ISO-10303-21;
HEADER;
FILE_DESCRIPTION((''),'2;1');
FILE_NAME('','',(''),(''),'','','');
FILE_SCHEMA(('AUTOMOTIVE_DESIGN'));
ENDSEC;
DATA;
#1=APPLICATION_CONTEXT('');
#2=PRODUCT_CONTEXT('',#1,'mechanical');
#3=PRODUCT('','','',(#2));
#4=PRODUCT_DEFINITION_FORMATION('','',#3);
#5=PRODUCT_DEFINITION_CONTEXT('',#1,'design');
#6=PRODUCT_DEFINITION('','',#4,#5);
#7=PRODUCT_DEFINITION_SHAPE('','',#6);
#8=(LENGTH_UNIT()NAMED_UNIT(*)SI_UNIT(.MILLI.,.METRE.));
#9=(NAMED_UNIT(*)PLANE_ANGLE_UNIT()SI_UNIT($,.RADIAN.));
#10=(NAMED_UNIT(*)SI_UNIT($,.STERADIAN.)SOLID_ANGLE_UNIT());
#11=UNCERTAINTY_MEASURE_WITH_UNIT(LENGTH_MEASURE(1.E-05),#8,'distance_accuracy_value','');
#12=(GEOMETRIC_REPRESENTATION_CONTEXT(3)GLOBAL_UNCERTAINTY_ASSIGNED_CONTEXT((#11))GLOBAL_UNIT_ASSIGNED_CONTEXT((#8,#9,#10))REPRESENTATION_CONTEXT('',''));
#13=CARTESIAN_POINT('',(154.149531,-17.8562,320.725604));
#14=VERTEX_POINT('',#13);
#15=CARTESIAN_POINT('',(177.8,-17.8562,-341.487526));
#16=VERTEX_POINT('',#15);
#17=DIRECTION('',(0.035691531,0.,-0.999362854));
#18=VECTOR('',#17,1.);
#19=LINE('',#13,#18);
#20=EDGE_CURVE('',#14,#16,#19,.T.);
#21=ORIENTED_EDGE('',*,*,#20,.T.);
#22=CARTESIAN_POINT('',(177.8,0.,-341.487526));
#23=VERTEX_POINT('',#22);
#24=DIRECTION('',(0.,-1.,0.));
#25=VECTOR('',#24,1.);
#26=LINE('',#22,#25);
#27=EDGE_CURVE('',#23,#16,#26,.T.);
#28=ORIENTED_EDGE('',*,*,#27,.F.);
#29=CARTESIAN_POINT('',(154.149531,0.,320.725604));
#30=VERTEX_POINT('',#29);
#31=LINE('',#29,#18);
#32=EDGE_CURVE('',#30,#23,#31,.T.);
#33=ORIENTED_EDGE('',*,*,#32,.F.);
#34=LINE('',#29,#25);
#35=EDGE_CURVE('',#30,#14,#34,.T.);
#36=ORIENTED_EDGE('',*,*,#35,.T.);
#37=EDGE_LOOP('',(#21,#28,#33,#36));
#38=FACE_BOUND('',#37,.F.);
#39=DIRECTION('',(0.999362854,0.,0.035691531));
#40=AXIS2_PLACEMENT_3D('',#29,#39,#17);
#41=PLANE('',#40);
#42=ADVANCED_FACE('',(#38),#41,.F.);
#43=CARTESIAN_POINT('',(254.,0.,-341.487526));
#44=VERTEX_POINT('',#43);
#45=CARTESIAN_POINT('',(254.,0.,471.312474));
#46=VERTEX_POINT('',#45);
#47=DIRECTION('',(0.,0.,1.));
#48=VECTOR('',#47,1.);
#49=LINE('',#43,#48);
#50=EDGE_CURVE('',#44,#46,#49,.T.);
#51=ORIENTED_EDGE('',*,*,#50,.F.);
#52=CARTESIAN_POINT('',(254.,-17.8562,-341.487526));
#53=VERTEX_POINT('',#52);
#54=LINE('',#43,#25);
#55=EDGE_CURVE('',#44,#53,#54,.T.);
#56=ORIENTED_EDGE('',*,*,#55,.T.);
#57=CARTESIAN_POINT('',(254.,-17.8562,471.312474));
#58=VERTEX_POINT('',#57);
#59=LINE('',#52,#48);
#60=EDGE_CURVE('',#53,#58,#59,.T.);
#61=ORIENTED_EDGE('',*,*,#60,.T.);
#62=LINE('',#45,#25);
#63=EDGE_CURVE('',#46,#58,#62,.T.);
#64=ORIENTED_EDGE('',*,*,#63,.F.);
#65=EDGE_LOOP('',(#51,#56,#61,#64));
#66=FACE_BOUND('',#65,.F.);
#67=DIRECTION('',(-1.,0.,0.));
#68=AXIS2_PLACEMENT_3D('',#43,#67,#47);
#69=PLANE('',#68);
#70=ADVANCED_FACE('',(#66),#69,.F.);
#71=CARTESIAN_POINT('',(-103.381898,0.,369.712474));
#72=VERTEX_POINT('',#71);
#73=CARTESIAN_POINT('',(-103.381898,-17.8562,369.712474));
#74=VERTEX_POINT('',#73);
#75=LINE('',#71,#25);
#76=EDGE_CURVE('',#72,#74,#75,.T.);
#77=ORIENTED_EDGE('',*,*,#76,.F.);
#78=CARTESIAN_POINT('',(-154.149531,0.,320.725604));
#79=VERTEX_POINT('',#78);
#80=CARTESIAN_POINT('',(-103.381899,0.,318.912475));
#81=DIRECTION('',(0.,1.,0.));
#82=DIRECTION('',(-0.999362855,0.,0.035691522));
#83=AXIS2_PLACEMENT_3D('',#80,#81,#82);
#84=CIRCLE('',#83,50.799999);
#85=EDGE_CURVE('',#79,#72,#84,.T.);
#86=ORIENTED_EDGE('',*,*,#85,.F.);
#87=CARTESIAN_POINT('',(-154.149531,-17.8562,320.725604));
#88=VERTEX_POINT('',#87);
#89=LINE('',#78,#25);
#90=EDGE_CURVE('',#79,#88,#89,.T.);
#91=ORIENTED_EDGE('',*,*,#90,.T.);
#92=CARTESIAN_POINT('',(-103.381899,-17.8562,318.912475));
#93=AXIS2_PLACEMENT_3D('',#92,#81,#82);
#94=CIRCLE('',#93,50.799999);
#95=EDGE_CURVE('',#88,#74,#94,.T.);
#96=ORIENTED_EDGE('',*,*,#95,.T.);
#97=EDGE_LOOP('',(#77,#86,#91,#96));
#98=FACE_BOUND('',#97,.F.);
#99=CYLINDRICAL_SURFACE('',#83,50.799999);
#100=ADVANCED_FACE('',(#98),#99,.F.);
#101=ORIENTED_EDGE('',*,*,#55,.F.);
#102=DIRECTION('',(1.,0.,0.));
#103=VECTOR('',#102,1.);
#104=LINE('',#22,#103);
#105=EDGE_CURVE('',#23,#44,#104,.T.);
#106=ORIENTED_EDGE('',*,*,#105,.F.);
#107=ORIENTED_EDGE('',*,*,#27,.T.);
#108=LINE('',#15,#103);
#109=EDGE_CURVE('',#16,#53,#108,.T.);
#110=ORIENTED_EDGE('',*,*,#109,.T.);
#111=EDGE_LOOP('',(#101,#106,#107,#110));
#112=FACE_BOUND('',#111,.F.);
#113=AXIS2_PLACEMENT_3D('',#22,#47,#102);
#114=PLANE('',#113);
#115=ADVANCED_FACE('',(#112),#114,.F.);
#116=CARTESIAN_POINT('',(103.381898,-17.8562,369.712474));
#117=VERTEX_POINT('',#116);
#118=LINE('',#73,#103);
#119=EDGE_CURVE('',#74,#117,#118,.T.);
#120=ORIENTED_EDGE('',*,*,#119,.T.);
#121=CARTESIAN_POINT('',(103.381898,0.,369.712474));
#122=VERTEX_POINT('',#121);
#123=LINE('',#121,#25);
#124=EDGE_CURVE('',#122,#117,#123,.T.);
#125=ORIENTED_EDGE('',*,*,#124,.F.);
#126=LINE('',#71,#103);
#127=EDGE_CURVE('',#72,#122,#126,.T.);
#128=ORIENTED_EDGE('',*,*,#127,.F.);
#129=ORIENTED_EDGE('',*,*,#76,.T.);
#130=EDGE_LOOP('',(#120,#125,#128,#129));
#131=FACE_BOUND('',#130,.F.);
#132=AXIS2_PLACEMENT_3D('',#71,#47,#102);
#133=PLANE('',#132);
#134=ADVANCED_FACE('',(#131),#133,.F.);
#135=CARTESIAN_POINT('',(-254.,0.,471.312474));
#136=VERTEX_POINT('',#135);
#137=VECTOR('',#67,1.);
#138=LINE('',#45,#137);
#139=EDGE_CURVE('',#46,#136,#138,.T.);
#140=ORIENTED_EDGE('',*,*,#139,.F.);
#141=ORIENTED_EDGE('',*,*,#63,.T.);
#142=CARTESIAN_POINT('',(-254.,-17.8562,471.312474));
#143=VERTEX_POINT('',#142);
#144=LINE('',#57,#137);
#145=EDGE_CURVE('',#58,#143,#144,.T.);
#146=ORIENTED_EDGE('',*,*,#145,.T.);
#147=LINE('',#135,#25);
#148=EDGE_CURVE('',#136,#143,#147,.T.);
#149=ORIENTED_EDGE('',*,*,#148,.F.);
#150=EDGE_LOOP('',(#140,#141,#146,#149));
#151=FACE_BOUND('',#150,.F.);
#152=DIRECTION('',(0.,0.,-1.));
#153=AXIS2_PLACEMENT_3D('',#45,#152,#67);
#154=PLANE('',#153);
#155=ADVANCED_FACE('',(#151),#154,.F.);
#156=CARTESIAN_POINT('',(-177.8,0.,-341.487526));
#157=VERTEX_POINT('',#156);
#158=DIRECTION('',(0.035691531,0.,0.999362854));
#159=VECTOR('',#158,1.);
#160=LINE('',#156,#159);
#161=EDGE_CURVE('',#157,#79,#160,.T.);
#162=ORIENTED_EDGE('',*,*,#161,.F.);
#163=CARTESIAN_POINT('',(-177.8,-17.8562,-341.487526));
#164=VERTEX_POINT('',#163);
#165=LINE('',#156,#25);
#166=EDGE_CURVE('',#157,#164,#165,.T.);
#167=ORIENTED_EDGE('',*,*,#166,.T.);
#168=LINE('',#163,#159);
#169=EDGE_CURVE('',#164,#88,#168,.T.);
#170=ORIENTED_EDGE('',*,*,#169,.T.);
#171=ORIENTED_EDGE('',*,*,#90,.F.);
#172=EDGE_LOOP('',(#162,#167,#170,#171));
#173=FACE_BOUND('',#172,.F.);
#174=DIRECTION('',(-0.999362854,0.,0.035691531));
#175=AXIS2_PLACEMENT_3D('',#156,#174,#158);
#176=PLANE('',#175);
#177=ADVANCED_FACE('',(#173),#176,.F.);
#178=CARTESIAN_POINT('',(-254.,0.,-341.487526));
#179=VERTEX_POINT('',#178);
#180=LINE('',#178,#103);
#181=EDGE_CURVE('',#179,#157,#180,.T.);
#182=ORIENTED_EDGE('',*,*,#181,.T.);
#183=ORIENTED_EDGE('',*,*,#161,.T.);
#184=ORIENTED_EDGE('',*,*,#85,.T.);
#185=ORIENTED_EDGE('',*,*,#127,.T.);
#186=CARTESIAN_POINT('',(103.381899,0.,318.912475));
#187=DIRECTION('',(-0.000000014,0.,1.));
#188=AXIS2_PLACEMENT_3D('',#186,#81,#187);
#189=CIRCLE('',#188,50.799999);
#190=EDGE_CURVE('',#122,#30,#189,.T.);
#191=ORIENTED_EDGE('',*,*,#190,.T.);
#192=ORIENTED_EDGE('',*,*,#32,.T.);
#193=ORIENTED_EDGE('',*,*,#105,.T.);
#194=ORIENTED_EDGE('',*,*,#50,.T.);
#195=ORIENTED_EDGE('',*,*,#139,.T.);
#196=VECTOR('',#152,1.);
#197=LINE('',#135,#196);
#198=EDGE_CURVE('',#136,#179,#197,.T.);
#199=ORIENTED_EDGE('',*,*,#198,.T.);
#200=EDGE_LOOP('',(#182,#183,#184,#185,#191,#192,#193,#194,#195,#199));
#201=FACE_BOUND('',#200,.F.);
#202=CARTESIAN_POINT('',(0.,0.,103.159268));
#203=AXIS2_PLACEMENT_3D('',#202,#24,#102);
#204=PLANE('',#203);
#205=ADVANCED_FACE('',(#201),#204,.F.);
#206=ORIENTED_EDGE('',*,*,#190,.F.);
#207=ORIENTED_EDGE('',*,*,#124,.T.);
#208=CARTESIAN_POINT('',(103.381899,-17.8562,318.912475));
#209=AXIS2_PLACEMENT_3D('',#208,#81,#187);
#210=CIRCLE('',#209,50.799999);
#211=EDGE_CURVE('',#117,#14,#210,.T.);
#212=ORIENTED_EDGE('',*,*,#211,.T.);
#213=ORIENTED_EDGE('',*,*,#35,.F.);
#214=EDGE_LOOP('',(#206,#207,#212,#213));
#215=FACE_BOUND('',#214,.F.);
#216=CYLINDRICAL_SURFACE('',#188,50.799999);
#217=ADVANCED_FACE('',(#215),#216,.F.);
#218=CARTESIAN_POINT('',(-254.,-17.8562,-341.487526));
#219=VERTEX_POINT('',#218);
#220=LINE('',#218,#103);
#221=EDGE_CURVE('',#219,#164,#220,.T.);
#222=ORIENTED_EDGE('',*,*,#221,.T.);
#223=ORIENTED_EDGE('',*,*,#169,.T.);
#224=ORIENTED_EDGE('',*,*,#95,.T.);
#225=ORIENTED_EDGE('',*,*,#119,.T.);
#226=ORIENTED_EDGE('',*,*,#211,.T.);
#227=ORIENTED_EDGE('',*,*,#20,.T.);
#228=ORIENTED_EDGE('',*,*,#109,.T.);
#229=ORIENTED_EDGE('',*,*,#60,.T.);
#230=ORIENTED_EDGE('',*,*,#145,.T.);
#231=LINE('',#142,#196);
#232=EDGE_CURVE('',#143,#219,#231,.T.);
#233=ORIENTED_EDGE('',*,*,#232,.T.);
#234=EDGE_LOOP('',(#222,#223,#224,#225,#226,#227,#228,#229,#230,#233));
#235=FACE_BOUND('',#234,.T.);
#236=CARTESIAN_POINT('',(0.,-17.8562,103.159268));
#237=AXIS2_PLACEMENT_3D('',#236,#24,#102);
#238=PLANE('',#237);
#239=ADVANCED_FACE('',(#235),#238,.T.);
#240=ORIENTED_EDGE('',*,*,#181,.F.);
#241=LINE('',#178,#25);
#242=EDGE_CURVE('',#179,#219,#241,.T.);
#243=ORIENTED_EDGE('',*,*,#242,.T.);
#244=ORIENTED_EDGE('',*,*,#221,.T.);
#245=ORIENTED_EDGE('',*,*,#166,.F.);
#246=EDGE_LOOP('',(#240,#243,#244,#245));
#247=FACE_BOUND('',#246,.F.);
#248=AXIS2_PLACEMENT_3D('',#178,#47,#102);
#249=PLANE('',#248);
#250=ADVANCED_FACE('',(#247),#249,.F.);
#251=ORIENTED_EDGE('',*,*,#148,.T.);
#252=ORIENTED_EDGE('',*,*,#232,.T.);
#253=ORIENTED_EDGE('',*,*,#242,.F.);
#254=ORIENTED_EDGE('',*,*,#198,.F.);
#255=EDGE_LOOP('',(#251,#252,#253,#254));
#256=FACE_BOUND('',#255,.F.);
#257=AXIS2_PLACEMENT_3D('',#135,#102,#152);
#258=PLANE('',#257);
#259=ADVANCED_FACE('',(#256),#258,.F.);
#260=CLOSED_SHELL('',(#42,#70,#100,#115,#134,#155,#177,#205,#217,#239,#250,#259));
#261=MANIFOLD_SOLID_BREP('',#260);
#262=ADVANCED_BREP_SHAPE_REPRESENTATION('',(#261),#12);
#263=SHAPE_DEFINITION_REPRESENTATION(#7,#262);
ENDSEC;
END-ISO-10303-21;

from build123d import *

# Parameters (mm, degrees)
F1_DEPTH = 17.8562


with BuildPart() as f1:
    # F0 (on Front) → F1 (new body)
    with BuildSketch(Plane.XZ):
        with BuildLine():
            Line((254, 471.312474), (-254, 471.312474))
            Line((-254, 471.312474), (-254, -341.487526))
            Line((-254, -341.487526), (-177.8, -341.487526))
            Line((-177.8, -341.487526), (-154.149531, 320.725604))
            ThreePointArc((-154.149531, 320.725604), (-138.65606, 355.468917), (-103.381898, 369.712474))
            Line((-103.381898, 369.712474), (103.381898, 369.712474))
            ThreePointArc((103.381898, 369.712474), (138.65606, 355.468917), (154.149531, 320.725604))
            Line((154.149531, 320.725604), (177.8, -341.487526))
            Line((177.8, -341.487526), (254, -341.487526))
            Line((254, -341.487526), (254, 471.312474))
        make_face()
    extrude(amount=F1_DEPTH)


solid = f1.part
